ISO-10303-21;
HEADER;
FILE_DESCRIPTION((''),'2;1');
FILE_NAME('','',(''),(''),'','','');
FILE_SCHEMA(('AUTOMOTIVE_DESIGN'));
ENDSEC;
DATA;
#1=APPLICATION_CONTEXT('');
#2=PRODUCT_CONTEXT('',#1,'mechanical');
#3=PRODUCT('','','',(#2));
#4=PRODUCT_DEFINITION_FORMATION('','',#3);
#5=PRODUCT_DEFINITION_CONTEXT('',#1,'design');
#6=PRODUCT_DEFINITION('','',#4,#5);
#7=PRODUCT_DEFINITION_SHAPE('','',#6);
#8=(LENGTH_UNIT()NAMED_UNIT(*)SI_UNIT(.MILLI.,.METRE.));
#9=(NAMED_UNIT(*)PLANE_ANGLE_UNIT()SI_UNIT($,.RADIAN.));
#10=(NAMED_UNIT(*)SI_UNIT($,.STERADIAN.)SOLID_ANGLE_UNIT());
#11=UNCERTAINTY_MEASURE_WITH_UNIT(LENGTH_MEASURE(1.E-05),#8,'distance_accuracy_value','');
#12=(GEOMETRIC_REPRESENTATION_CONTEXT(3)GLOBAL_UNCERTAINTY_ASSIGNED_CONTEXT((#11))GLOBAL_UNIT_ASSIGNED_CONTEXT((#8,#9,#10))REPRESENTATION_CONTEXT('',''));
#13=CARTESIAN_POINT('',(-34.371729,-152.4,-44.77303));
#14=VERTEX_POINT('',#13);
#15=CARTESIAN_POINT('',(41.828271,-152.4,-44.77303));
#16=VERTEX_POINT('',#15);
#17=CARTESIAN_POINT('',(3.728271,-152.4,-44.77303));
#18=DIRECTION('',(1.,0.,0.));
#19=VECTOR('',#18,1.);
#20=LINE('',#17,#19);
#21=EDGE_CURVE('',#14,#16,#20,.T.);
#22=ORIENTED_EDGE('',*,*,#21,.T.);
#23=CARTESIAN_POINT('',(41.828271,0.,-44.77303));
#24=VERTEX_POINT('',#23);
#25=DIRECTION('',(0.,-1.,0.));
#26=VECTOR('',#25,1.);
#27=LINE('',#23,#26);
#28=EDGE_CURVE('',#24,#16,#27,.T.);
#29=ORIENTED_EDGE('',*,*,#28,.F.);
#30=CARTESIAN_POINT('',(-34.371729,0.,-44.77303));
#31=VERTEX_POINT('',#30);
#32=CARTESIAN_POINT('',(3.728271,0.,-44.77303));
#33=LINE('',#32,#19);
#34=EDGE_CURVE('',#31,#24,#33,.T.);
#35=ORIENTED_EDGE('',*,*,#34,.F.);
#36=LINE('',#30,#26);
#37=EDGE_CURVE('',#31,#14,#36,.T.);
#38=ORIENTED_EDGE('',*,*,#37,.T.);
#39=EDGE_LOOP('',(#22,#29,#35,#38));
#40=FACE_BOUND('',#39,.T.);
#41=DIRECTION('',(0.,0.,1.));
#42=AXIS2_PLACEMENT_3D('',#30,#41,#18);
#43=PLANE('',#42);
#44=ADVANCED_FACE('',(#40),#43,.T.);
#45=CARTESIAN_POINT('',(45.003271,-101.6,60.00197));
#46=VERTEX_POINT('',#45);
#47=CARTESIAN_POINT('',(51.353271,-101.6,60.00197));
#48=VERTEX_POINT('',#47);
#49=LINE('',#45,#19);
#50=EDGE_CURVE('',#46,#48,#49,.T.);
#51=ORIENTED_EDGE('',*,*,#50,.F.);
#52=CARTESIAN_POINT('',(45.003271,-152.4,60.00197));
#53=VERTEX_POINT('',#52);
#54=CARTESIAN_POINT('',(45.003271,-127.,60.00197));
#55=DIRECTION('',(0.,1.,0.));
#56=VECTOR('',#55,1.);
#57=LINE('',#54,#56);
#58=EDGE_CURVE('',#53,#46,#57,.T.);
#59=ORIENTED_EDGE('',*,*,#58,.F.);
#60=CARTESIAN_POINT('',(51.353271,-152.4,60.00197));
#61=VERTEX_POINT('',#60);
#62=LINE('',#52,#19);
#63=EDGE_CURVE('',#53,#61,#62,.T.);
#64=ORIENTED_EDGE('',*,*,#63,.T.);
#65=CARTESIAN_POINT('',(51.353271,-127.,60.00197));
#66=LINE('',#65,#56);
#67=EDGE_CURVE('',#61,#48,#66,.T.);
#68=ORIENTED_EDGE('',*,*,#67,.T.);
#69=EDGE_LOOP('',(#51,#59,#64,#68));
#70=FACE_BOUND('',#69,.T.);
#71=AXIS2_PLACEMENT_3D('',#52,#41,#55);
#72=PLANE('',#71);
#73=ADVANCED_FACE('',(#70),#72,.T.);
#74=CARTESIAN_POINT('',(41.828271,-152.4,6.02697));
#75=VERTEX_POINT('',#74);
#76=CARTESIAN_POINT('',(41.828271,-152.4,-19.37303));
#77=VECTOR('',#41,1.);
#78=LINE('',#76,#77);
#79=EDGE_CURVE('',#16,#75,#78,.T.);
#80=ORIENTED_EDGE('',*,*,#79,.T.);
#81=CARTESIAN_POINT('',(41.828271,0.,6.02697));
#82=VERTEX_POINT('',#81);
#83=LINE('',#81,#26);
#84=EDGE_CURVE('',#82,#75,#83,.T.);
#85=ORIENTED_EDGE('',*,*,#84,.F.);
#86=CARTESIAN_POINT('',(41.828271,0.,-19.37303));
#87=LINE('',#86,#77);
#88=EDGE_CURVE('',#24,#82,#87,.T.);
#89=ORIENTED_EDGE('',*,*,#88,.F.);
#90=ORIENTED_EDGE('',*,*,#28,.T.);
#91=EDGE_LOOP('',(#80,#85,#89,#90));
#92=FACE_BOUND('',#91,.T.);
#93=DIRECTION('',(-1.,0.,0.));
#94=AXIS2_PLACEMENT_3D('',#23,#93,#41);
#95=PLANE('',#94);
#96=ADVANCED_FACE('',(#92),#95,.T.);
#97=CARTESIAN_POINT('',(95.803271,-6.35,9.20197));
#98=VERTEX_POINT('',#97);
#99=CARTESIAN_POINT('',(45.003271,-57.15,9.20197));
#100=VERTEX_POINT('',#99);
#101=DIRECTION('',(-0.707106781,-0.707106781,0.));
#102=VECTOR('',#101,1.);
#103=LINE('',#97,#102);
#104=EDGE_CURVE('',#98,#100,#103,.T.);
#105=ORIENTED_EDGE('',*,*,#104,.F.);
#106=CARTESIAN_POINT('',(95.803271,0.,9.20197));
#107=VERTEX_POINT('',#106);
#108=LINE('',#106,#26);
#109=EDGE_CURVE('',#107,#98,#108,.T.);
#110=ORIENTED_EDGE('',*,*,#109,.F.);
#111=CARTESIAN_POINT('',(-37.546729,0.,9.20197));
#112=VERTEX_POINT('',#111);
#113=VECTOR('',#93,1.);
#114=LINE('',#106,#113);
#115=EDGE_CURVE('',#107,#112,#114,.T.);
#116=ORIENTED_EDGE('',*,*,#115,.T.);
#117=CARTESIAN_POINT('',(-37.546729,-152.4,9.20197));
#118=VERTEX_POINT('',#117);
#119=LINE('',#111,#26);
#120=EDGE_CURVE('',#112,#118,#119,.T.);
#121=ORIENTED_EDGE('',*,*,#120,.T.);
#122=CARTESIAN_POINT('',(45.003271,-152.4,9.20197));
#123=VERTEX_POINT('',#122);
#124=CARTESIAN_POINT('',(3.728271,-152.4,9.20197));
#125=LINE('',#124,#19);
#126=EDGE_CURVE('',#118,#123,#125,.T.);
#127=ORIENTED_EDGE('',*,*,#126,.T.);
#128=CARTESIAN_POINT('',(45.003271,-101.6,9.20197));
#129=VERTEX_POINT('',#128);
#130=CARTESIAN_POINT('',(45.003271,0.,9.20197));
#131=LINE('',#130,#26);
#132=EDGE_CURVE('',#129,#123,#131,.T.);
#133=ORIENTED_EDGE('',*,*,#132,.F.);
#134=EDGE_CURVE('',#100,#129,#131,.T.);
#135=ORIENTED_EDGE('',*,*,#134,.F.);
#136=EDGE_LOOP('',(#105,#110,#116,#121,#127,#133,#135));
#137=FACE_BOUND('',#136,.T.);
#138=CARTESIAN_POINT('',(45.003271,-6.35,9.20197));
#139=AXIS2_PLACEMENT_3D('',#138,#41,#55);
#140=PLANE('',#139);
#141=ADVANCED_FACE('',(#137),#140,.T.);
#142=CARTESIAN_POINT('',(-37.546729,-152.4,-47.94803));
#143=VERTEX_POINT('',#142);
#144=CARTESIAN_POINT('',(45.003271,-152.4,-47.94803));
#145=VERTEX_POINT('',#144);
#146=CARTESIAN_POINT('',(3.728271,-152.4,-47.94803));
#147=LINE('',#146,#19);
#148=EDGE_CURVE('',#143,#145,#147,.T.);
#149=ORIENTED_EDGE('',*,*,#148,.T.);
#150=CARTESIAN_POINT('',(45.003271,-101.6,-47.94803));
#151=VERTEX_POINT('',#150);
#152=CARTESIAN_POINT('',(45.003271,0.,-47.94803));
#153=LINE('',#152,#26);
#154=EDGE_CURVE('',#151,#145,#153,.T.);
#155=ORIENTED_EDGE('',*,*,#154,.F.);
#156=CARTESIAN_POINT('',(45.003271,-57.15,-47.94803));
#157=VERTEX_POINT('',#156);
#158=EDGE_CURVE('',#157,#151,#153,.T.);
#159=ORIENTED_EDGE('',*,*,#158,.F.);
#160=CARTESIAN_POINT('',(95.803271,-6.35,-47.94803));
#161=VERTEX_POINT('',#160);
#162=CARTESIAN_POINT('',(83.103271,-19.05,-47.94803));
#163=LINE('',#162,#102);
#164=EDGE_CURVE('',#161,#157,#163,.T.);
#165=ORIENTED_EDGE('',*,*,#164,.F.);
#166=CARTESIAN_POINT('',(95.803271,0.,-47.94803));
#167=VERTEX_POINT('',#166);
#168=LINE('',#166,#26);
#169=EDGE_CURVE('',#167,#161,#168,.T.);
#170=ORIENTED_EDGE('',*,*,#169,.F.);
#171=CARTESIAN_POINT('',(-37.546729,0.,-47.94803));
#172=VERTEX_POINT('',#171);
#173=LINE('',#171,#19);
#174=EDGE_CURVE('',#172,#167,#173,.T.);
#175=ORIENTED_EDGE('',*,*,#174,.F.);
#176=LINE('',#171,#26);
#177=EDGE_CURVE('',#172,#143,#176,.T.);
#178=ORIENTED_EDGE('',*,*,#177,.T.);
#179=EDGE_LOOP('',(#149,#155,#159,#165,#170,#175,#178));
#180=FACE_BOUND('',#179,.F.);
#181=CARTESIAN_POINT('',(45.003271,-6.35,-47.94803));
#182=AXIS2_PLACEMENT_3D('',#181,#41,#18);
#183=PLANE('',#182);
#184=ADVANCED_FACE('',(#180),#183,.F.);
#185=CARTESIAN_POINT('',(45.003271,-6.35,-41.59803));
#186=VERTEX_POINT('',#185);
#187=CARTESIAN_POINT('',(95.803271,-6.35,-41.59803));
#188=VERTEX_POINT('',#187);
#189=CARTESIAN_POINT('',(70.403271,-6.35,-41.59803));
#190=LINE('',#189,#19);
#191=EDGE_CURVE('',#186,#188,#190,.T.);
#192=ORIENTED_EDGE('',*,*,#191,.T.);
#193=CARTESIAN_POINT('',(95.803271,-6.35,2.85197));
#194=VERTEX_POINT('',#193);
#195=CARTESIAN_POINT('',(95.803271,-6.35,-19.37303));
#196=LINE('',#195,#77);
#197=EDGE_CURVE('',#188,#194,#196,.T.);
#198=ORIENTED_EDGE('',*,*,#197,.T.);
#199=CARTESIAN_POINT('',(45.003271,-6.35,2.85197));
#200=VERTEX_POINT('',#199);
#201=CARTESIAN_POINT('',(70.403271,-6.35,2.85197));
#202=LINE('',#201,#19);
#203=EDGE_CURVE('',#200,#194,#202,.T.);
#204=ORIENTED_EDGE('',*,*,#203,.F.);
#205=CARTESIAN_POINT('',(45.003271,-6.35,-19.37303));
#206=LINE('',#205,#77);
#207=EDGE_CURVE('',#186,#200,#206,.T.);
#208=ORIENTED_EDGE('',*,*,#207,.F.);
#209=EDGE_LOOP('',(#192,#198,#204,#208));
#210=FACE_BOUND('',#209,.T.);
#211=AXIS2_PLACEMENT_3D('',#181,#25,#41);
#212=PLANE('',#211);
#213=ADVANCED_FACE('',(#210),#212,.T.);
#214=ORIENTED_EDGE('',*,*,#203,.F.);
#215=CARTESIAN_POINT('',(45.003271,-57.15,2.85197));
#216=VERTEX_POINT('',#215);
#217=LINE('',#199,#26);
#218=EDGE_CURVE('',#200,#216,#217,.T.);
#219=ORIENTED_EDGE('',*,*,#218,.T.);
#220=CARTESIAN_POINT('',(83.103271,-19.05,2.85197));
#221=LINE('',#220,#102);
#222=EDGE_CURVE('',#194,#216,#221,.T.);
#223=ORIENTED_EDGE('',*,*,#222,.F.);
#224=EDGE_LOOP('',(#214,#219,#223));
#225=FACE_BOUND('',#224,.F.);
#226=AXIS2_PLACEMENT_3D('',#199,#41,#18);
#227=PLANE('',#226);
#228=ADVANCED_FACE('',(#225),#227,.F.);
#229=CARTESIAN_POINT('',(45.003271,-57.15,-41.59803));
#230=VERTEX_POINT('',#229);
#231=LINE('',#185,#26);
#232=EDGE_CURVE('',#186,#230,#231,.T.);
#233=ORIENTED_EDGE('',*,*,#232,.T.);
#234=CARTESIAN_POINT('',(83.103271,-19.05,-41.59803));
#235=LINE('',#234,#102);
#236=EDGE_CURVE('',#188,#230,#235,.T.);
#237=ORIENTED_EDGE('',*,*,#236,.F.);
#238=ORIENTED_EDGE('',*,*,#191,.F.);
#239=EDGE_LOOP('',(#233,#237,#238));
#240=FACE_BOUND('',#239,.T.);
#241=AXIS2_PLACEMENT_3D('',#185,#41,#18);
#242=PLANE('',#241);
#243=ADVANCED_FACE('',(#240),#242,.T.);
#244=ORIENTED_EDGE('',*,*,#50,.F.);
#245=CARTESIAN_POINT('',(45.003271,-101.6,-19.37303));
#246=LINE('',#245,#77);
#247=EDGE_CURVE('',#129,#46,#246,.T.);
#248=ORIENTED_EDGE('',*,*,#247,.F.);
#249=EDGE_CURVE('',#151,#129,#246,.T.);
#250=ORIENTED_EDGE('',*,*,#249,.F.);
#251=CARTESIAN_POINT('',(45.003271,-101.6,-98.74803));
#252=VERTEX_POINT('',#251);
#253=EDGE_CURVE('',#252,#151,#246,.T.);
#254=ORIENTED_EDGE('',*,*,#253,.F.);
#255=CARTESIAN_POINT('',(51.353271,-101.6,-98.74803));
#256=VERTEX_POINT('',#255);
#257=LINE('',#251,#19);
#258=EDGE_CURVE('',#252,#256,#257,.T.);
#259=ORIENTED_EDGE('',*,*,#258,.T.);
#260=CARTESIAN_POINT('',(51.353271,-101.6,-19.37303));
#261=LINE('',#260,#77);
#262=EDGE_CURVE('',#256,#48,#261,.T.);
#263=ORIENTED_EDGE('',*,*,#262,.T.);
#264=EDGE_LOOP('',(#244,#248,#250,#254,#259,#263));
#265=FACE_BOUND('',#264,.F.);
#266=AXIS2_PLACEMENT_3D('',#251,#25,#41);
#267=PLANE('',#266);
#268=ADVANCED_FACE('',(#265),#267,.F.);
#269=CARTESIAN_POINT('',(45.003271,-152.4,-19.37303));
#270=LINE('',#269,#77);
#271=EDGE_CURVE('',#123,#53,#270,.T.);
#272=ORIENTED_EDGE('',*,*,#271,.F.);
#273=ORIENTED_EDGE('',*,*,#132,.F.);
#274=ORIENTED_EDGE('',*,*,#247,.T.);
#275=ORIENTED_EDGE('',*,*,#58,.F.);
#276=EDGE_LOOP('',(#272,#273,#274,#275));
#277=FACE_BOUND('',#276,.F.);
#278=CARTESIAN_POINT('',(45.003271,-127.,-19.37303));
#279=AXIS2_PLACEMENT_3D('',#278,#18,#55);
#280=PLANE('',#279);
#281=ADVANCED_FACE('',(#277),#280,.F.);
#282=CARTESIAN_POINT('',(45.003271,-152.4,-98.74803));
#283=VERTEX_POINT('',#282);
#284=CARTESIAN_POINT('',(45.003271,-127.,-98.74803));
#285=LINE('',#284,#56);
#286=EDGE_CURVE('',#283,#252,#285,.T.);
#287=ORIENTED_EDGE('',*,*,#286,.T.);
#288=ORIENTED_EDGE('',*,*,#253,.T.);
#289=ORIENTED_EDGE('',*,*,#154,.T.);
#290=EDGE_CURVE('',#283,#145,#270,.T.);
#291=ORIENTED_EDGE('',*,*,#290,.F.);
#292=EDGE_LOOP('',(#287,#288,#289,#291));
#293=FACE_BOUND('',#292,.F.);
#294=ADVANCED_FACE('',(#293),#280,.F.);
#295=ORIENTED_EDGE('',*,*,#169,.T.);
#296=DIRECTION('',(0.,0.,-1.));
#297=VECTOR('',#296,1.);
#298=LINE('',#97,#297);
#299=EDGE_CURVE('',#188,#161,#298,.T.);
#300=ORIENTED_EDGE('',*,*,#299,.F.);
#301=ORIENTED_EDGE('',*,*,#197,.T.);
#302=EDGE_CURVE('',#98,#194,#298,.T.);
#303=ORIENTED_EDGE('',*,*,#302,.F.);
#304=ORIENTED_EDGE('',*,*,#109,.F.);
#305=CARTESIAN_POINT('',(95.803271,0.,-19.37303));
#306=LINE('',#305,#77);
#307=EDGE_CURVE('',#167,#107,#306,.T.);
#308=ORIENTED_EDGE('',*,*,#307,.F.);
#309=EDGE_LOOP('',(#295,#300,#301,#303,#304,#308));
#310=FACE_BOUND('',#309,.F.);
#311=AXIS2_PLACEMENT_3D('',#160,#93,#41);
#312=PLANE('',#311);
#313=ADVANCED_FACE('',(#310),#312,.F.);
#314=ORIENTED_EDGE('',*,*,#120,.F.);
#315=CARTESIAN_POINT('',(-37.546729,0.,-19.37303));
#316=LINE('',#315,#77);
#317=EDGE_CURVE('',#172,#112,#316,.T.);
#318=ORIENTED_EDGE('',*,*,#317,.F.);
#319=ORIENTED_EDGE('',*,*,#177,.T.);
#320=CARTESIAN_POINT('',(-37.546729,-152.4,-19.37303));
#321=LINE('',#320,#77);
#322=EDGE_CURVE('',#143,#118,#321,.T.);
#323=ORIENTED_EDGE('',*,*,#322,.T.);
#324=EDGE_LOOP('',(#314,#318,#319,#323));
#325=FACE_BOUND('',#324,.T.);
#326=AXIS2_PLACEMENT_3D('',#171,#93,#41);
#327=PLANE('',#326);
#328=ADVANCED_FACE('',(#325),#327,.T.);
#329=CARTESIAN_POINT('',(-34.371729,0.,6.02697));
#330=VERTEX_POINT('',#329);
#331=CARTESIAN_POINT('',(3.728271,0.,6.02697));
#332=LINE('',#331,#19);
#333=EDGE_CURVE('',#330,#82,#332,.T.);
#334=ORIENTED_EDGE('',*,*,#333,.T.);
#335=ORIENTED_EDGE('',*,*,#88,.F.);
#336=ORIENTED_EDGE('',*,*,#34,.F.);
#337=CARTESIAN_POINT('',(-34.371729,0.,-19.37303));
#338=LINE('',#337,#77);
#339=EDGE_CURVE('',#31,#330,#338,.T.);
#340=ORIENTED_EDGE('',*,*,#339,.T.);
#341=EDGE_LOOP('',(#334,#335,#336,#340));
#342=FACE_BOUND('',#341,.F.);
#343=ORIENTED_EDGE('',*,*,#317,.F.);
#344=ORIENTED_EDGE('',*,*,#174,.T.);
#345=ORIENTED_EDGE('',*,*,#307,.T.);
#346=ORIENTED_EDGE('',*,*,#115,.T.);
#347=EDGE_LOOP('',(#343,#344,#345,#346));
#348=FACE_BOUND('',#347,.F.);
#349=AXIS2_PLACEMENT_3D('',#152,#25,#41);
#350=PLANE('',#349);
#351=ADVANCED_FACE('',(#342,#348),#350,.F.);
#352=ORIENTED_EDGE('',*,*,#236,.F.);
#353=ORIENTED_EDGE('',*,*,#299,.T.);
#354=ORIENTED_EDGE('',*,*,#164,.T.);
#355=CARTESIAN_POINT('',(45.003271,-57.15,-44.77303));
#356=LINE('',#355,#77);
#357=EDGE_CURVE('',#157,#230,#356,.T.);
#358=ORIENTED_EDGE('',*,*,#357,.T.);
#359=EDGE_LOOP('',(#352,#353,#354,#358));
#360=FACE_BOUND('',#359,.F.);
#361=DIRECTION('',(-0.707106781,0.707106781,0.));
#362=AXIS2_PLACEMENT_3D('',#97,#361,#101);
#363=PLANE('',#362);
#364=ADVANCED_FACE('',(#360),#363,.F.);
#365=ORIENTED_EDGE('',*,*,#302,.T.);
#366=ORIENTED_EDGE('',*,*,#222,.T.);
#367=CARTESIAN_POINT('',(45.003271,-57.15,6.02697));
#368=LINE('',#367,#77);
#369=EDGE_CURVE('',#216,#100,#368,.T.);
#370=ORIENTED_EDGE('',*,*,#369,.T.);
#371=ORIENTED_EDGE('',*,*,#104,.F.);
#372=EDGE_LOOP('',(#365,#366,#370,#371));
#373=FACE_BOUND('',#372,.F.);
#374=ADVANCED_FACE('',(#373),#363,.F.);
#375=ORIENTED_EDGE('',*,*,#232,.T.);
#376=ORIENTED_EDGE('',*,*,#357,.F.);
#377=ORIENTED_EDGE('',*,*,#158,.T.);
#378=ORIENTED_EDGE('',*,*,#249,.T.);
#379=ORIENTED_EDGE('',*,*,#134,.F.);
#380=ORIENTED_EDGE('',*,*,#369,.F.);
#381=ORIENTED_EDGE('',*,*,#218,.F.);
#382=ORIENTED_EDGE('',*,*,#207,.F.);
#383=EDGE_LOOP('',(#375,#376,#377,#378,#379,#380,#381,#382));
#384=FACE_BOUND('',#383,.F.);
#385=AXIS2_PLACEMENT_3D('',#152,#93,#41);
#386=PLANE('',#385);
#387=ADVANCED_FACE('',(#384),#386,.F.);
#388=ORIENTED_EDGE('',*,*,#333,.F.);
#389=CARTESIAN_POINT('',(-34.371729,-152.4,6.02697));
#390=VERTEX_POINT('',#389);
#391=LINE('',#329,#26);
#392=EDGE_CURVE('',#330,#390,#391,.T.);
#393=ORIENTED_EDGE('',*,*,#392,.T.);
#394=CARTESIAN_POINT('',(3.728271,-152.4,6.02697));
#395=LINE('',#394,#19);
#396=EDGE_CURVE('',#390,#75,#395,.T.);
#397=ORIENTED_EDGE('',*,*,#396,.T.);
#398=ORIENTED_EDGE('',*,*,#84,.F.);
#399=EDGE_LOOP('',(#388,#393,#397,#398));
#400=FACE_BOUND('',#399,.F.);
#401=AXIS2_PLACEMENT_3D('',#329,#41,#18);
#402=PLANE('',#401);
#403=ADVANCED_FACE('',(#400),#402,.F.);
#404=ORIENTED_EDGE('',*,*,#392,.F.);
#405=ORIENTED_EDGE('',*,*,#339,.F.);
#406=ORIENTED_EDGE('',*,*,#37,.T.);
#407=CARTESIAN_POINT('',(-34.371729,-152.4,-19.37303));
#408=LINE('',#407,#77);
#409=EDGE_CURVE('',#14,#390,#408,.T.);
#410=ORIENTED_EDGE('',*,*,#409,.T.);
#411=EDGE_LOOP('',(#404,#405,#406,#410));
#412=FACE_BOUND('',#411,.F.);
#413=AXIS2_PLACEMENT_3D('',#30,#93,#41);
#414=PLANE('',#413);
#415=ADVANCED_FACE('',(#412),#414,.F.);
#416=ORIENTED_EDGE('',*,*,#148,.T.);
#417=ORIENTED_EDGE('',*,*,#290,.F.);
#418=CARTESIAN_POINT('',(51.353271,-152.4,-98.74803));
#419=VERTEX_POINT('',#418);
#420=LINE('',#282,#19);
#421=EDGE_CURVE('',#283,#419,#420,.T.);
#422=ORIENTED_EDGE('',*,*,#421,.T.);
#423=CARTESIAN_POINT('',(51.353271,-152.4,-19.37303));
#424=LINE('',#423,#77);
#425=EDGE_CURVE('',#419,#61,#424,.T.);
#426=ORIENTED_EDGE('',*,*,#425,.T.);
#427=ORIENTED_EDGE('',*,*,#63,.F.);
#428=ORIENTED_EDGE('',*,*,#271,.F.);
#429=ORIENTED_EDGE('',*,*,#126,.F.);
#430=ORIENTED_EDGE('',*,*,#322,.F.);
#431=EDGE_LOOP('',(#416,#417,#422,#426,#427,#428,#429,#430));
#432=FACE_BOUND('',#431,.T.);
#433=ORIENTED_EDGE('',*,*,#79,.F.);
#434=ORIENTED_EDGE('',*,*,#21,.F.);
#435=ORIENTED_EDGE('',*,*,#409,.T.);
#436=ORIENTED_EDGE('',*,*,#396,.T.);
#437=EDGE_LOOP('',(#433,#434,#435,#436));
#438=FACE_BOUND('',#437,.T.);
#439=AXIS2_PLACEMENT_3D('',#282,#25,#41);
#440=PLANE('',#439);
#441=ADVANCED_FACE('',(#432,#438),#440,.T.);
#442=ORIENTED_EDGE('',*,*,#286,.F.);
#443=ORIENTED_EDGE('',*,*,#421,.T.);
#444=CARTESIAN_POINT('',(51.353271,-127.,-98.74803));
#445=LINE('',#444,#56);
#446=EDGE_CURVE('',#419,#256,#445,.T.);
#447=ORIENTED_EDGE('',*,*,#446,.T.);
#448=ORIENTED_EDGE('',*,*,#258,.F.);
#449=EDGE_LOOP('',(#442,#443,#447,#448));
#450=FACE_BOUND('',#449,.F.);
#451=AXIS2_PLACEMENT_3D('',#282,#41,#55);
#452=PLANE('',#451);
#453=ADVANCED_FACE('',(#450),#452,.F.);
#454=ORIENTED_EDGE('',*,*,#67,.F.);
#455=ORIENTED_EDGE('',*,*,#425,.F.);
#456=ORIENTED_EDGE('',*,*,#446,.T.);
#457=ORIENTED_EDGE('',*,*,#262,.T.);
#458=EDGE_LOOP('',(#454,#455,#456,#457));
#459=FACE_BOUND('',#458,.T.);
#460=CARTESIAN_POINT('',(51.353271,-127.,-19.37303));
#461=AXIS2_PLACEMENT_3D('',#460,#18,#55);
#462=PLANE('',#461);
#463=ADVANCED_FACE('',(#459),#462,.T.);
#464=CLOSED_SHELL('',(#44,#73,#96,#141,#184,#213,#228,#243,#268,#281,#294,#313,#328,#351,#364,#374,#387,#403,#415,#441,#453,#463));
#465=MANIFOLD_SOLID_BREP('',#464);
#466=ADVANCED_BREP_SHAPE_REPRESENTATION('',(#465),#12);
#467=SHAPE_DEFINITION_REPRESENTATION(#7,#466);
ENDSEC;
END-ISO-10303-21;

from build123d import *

# Parameters (mm, degrees)
F0_W     = 82.55
F0_H     = 57.15
F0_W_2   = 76.2
F0_H_2   = 50.8
F1_DEPTH = 152.4
F2_W     = 6.35
F2_H     = 57.15
F3_DEPTH = 50.8
F4_W     = 50.8
F4_H     = 6.35
F5_DEPTH = 50.8
F7_DEPTH = 118.618
F8_W     = 50.8
F8_H     = 158.75
F9_DEPTH = 6.35


with BuildPart() as f1:
    # F0 (on Front) → F1 (new body)
    with BuildSketch(Plane.XZ):
        with Locations((3.728271, -19.37303)):
            Rectangle(F0_W, F0_H)
        with Locations((3.728271, -19.37303)):
            Rectangle(F0_W_2, F0_H_2, mode=Mode.SUBTRACT)
    extrude(amount=F1_DEPTH)

    # F2 (on face) → F3 (join)
    with BuildSketch(Plane.YZ.offset(45.003271)):
        with Locations((-3.175, -19.37303)):
            Rectangle(F2_W, F2_H)
    extrude(amount=F3_DEPTH)

    # F4 (on face) → F5 (join)
    with BuildSketch(Plane.XZ.offset(6.35)):
        with Locations((70.403271, -44.77303)):
            Rectangle(F4_W, F4_H)
        with Locations((70.403271, 6.02697)):
            Rectangle(F4_W, F4_H)
    extrude(amount=F5_DEPTH)

    # F6 (on face) → F7 (cut)
    with BuildSketch(Plane.XY.offset(9.20197)):
        Polygon((95.803271, -6.35), (45.003271, -57.15), (95.803271, -57.15), align=None)
    extrude(amount=-F7_DEPTH, mode=Mode.SUBTRACT)

    # F8 (on face) → F9 (join)
    with BuildSketch(Plane.YZ.offset(45.003271)):
        with Locations((-127, -19.37303)):
            Rectangle(F8_W, F8_H)
    extrude(amount=F9_DEPTH)


solid = f1.part
